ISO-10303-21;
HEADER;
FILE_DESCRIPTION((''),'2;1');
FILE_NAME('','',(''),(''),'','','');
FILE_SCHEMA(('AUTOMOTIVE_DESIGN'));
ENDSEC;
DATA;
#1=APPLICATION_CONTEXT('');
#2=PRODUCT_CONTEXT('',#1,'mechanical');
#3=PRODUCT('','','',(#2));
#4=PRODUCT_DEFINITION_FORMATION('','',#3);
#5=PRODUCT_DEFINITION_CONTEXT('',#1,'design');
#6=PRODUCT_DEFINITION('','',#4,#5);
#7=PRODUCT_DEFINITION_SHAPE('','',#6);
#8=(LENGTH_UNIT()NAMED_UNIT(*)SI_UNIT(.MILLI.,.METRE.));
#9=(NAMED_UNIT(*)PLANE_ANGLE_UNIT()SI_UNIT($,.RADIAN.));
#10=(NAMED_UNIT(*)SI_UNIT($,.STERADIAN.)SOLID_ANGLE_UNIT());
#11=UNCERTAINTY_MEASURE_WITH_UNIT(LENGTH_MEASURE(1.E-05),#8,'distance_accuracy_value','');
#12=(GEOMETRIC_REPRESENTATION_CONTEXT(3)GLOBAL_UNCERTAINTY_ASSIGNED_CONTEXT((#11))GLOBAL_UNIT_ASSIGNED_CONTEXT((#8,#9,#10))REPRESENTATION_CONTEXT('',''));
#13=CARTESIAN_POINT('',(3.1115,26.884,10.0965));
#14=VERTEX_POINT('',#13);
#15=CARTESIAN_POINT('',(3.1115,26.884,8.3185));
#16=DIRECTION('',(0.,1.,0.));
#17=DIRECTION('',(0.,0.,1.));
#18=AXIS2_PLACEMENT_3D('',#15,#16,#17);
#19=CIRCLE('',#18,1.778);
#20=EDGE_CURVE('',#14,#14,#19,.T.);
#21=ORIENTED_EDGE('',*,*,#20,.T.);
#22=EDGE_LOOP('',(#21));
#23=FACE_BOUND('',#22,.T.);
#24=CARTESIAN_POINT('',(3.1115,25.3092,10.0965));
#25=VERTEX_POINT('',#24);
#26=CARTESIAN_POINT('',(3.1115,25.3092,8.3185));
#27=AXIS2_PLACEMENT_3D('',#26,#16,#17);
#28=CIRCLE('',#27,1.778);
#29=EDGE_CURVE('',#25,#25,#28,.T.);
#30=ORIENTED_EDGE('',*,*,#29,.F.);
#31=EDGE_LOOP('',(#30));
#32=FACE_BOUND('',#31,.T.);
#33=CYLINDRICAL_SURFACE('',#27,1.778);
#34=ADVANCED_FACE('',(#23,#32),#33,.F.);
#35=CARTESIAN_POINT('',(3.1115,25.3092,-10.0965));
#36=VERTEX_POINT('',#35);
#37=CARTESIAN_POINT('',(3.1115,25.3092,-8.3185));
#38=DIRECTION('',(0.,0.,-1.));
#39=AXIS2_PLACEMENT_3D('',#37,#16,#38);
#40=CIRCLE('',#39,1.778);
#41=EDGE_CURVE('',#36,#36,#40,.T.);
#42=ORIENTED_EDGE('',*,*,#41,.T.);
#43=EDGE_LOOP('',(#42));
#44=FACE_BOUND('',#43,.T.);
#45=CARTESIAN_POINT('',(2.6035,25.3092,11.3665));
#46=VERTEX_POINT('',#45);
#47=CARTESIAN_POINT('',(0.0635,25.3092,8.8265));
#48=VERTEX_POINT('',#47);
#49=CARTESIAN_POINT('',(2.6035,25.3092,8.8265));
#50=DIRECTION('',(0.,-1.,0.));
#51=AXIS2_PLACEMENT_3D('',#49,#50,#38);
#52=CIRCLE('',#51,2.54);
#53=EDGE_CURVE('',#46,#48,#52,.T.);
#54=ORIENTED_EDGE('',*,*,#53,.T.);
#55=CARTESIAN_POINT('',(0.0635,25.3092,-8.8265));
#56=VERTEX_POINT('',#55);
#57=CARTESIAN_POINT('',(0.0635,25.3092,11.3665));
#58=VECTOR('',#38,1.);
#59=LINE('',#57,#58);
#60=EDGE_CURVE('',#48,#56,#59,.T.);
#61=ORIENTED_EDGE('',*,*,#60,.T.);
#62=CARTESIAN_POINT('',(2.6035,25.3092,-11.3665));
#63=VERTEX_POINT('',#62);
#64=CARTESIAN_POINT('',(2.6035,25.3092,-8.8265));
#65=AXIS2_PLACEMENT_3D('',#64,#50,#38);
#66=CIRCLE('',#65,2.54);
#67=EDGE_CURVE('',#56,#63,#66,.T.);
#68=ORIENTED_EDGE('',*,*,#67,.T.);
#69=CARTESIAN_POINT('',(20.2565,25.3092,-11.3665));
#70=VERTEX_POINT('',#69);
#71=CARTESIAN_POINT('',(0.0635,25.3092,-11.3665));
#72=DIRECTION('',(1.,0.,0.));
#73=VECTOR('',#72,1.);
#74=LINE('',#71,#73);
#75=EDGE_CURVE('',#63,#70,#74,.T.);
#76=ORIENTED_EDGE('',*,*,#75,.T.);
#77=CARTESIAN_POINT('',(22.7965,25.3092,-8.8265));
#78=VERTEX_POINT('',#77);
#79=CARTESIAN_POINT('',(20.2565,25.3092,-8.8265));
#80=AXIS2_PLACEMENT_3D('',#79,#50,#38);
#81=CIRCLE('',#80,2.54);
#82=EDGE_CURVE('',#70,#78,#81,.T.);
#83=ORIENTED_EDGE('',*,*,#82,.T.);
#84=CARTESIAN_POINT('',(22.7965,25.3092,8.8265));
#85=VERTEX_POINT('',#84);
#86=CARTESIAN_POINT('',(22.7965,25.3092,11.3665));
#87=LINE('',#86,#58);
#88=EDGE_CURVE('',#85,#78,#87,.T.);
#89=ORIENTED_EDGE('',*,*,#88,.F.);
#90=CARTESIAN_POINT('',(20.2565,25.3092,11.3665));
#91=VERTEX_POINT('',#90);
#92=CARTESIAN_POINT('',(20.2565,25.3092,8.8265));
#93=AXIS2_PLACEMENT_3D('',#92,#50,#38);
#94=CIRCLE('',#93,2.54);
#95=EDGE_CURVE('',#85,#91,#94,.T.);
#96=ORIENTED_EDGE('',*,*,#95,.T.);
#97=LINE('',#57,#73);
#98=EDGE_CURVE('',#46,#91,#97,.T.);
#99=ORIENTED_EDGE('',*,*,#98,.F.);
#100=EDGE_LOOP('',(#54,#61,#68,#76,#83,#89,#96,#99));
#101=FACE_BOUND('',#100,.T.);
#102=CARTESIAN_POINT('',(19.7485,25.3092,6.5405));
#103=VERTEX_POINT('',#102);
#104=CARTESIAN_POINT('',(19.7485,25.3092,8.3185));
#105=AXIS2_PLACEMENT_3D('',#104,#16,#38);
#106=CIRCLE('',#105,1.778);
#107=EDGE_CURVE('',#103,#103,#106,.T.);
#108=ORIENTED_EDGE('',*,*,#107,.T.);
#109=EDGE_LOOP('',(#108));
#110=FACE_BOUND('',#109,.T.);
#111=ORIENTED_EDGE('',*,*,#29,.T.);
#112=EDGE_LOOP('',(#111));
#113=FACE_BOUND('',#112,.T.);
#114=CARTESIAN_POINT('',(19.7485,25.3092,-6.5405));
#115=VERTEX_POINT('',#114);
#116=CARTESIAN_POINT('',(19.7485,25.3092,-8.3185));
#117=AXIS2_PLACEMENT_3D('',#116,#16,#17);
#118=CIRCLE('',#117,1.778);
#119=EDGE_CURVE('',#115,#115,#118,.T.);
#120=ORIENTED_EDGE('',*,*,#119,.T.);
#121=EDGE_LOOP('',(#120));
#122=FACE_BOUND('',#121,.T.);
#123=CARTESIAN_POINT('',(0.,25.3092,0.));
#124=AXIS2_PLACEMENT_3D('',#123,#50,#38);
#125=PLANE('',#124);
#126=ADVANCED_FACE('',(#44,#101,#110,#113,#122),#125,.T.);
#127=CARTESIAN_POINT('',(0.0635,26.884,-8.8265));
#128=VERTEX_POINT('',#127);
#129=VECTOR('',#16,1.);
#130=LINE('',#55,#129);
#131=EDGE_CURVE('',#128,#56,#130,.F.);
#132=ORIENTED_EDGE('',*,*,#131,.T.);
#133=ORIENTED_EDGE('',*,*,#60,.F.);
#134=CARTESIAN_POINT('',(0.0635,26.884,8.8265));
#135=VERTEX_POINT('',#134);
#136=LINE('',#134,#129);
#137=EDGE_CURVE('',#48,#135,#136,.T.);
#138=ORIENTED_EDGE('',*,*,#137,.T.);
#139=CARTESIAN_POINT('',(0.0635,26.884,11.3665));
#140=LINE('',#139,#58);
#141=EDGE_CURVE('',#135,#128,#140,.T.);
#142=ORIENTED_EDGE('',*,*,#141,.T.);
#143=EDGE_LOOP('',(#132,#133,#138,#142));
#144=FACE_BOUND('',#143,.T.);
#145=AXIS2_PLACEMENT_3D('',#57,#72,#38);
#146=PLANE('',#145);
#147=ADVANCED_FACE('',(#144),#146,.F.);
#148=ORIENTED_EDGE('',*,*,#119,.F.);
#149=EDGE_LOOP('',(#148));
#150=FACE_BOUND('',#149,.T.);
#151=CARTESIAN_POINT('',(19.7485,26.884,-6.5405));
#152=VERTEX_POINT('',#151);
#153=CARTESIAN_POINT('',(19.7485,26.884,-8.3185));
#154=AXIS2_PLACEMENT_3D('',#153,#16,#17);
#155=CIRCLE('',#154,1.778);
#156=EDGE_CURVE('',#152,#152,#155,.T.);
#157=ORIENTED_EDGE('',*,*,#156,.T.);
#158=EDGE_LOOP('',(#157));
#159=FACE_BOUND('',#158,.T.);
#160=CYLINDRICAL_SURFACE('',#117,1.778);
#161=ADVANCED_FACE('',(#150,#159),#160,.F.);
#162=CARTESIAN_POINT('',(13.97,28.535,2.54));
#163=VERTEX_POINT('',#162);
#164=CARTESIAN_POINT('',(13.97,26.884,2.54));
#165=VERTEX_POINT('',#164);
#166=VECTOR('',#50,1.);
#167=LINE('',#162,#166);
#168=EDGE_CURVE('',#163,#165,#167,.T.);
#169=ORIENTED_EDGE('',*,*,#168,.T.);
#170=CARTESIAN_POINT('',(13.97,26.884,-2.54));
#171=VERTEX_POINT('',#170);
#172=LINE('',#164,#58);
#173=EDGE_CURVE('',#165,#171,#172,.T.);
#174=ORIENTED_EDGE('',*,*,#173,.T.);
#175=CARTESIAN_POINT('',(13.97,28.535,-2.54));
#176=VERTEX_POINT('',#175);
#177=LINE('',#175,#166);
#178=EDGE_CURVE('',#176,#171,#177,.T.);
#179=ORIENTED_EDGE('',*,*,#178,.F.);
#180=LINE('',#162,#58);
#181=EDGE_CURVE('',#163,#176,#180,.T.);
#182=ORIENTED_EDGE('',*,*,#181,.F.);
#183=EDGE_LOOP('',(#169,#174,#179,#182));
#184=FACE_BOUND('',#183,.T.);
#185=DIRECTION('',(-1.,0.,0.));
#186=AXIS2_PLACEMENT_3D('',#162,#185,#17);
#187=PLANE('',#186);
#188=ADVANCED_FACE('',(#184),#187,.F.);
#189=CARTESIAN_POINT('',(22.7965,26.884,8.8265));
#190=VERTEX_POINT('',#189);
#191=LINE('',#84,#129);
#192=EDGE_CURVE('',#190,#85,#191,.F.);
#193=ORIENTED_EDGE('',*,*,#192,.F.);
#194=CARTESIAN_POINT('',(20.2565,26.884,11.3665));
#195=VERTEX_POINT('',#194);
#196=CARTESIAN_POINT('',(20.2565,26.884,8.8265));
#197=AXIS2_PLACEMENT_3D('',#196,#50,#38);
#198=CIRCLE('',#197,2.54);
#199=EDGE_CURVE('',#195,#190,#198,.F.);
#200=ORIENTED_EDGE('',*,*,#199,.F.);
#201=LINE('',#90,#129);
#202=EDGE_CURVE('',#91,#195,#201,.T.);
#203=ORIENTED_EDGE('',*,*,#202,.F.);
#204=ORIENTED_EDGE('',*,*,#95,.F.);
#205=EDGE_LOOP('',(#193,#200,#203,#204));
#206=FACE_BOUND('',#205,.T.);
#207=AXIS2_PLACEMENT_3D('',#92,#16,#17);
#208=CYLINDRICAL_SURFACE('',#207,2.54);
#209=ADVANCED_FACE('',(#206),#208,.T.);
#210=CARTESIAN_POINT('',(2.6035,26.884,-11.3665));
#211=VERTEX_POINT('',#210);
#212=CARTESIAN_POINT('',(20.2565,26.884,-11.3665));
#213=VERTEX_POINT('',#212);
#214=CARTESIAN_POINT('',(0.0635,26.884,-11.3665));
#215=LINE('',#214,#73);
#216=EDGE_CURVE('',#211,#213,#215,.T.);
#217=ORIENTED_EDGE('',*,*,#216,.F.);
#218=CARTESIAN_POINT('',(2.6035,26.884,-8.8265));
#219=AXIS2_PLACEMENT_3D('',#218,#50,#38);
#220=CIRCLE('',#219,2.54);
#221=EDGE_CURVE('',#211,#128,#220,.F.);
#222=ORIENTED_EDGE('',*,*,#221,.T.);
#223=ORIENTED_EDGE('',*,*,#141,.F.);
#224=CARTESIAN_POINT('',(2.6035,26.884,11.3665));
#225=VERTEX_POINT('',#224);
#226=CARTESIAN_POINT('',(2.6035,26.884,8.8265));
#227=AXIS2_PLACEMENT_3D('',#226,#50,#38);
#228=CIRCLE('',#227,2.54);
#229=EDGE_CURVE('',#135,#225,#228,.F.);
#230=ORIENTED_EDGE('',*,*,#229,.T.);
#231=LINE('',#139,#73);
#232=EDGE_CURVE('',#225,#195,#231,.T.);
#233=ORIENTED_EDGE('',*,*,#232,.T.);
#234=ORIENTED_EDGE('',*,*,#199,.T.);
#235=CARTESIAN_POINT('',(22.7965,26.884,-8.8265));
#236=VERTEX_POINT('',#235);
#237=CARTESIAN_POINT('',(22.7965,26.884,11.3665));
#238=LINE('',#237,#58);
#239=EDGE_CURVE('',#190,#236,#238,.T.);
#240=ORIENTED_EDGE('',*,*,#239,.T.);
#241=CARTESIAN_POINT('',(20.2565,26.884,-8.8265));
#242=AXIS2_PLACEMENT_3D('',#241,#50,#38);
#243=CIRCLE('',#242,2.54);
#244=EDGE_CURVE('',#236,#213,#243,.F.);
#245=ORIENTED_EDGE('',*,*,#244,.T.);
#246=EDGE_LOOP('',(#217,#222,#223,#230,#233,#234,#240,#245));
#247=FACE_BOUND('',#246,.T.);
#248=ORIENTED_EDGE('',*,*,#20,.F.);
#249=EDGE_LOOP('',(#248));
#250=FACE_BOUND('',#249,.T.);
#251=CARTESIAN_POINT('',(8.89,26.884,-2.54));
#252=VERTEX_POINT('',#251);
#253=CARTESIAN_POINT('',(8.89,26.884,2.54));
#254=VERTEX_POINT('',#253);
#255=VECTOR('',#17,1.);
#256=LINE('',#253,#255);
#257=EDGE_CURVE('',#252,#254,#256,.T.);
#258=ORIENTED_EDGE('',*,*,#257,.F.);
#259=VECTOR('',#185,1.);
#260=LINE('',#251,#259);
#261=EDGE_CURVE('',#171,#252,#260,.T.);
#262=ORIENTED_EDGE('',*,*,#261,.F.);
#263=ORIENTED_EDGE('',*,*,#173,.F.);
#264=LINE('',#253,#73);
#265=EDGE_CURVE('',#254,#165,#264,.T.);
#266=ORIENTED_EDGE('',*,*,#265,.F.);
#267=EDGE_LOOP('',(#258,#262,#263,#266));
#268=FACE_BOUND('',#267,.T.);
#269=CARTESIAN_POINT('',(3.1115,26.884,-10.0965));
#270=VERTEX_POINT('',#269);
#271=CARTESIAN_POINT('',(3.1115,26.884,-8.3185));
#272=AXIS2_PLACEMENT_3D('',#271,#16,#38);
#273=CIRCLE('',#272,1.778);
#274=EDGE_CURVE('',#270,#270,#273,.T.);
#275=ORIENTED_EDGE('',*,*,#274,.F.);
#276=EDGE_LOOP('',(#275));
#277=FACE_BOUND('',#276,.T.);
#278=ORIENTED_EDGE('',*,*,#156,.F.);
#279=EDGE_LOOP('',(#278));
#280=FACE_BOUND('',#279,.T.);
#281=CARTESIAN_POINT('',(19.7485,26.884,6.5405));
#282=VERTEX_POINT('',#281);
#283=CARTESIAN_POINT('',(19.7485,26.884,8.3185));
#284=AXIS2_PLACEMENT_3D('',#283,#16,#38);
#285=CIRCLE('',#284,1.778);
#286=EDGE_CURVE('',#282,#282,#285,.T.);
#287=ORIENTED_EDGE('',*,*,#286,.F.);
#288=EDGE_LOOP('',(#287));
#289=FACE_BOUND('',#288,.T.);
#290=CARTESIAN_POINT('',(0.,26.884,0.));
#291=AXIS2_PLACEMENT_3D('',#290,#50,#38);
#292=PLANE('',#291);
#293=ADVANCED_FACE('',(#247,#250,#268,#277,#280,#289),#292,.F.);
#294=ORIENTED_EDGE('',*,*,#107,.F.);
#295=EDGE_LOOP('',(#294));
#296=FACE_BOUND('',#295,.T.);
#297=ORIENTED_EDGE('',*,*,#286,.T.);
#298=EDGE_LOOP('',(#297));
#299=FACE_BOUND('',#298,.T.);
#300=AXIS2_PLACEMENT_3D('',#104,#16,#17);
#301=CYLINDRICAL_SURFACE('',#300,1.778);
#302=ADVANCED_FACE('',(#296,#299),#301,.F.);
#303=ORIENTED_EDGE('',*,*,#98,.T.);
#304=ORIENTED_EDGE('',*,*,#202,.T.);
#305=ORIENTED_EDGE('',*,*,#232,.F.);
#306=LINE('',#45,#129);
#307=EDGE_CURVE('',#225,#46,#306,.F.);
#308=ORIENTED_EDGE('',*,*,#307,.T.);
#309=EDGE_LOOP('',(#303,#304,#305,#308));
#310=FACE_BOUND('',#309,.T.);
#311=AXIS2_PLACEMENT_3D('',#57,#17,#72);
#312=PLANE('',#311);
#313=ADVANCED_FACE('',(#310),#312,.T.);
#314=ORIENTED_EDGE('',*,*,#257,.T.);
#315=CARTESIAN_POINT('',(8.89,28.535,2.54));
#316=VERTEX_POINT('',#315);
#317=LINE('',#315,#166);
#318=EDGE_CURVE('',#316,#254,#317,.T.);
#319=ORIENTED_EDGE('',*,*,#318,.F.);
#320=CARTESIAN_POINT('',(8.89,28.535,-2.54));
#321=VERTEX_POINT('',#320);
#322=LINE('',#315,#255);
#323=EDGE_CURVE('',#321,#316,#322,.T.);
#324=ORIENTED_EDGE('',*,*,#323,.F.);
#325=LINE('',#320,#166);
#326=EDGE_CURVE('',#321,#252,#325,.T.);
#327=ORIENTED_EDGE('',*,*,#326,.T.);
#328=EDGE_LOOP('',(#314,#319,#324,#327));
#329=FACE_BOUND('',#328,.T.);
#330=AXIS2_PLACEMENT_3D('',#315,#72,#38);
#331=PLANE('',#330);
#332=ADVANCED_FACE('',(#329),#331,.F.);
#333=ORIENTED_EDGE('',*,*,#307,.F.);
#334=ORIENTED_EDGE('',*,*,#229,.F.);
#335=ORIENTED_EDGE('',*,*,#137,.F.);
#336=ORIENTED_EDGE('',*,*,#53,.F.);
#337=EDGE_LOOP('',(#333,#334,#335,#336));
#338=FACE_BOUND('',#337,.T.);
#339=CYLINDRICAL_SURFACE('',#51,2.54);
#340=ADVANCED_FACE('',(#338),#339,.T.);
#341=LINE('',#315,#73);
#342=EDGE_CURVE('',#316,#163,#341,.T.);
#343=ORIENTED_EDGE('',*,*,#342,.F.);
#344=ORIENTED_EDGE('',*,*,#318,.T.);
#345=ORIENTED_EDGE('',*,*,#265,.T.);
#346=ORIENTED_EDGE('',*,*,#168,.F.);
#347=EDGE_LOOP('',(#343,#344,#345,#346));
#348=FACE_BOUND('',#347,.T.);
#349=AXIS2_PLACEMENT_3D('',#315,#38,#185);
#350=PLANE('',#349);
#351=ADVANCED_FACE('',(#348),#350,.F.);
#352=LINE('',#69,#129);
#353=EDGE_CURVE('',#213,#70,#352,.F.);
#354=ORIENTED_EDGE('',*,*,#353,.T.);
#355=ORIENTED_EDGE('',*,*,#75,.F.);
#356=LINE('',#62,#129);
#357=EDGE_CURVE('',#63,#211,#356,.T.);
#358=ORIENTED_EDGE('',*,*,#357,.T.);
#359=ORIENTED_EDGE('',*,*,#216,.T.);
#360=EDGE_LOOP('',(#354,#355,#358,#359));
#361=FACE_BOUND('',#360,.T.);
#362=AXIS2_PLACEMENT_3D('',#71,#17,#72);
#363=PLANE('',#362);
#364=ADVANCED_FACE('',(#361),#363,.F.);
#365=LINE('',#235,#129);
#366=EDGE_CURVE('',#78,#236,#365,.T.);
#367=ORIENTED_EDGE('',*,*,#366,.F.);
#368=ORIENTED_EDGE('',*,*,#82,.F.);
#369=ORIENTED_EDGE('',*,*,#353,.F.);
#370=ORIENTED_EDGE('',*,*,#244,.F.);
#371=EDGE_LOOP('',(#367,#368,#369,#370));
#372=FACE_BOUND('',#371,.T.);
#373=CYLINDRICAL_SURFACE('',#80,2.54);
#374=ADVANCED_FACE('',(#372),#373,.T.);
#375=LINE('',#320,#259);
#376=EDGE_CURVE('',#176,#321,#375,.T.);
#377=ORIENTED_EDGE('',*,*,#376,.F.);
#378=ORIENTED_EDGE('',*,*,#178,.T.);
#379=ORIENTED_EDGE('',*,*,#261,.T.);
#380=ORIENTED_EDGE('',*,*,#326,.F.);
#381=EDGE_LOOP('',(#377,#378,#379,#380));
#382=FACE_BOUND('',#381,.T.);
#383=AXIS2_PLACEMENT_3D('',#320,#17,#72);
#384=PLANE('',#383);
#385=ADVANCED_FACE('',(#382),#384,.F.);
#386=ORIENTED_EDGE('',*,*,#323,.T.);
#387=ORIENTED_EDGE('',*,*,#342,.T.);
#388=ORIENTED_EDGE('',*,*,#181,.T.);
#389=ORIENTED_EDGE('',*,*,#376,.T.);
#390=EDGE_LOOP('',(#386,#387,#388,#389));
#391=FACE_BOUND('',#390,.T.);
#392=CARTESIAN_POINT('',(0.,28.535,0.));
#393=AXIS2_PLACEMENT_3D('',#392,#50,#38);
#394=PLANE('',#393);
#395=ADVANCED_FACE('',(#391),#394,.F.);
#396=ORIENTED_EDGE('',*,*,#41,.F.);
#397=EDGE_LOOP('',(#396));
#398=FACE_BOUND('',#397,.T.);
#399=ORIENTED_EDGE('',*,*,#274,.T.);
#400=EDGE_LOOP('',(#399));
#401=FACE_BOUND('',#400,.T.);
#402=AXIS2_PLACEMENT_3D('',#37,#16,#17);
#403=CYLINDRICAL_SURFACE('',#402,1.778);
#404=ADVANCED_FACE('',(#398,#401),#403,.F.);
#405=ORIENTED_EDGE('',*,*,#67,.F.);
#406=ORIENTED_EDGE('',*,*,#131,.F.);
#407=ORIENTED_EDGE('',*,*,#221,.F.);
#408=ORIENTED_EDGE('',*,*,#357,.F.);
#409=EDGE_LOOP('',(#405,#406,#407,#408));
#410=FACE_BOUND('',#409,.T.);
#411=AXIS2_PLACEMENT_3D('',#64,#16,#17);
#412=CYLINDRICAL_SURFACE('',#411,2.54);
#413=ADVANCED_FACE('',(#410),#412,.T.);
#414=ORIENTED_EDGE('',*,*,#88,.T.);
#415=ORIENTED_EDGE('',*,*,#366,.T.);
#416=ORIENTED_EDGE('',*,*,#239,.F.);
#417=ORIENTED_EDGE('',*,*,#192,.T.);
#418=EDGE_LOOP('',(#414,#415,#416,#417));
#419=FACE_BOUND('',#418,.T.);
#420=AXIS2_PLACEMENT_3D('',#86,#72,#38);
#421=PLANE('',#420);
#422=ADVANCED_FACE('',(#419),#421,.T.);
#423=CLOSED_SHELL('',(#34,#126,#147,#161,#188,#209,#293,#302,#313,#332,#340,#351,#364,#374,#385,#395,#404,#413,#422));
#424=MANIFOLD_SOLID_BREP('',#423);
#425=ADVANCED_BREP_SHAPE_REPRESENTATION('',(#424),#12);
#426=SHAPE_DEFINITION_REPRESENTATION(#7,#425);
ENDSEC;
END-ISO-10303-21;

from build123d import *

# Parameters (mm, degrees)
SKETCH1_W           = 22.733
SKETCH1_H           = 22.733
BOSS_EXTRUDE1_DEPTH = 1.5748
FILLET1_R           = 2.54
SKETCH2_R           = 1.778
CUT_EXTRUDE1_DEPTH  = 1.5748
SKETCH3_W           = 5.08
SKETCH3_H           = 5.08
BOSS_EXTRUDE2_DEPTH = 1.651


with BuildPart() as part:
    # Sketch1 → Boss-Extrude1 (new body)
    with BuildSketch(Plane.XZ.offset(-26.884)):
        with Locations((11.43, 0)):
            Rectangle(SKETCH1_W, SKETCH1_H)
    extrude(amount=BOSS_EXTRUDE1_DEPTH)

    # Fillet1
    fillet1_edges = [part.edges().sort_by_distance(p)[0] for p in [
        (0.0635, 26.0966, 11.3665),
        (22.7965, 26.0966, 11.3665),
        (22.7965, 26.0966, -11.3665),
        (0.0635, 26.0966, -11.3665),
    ]]
    fillet(fillet1_edges, radius=FILLET1_R)

    # Sketch2 → Cut-Extrude1 (cut)
    with BuildSketch(Plane(origin=(0, 26.884, 0), x_dir=(1, 0, 0), z_dir=(0, 1, 0))):
        with Locations(Location((19.7485, 8.3185, 0), (0, 0, 270))):
            Circle(SKETCH2_R)
        with Locations(Location((3.1115, 8.3185, 0), (0, 0, 90))):
            Circle(SKETCH2_R)
        with Locations(Location((19.7485, -8.3185, 0), (0, 0, 90))):
            Circle(SKETCH2_R)
        with Locations(Location((3.1115, -8.3185, 0), (0, 0, 270))):
            Circle(SKETCH2_R)
    extrude(amount=-CUT_EXTRUDE1_DEPTH, mode=Mode.SUBTRACT)

    # Sketch3 → Boss-Extrude2 (add)
    with BuildSketch(Plane(origin=(0, 26.884, 0), x_dir=(1, 0, 0), z_dir=(0, 1, 0))):
        with Locations((11.43, 0)):
            Rectangle(SKETCH3_W, SKETCH3_H)
    extrude(amount=BOSS_EXTRUDE2_DEPTH)


solid = part.part
